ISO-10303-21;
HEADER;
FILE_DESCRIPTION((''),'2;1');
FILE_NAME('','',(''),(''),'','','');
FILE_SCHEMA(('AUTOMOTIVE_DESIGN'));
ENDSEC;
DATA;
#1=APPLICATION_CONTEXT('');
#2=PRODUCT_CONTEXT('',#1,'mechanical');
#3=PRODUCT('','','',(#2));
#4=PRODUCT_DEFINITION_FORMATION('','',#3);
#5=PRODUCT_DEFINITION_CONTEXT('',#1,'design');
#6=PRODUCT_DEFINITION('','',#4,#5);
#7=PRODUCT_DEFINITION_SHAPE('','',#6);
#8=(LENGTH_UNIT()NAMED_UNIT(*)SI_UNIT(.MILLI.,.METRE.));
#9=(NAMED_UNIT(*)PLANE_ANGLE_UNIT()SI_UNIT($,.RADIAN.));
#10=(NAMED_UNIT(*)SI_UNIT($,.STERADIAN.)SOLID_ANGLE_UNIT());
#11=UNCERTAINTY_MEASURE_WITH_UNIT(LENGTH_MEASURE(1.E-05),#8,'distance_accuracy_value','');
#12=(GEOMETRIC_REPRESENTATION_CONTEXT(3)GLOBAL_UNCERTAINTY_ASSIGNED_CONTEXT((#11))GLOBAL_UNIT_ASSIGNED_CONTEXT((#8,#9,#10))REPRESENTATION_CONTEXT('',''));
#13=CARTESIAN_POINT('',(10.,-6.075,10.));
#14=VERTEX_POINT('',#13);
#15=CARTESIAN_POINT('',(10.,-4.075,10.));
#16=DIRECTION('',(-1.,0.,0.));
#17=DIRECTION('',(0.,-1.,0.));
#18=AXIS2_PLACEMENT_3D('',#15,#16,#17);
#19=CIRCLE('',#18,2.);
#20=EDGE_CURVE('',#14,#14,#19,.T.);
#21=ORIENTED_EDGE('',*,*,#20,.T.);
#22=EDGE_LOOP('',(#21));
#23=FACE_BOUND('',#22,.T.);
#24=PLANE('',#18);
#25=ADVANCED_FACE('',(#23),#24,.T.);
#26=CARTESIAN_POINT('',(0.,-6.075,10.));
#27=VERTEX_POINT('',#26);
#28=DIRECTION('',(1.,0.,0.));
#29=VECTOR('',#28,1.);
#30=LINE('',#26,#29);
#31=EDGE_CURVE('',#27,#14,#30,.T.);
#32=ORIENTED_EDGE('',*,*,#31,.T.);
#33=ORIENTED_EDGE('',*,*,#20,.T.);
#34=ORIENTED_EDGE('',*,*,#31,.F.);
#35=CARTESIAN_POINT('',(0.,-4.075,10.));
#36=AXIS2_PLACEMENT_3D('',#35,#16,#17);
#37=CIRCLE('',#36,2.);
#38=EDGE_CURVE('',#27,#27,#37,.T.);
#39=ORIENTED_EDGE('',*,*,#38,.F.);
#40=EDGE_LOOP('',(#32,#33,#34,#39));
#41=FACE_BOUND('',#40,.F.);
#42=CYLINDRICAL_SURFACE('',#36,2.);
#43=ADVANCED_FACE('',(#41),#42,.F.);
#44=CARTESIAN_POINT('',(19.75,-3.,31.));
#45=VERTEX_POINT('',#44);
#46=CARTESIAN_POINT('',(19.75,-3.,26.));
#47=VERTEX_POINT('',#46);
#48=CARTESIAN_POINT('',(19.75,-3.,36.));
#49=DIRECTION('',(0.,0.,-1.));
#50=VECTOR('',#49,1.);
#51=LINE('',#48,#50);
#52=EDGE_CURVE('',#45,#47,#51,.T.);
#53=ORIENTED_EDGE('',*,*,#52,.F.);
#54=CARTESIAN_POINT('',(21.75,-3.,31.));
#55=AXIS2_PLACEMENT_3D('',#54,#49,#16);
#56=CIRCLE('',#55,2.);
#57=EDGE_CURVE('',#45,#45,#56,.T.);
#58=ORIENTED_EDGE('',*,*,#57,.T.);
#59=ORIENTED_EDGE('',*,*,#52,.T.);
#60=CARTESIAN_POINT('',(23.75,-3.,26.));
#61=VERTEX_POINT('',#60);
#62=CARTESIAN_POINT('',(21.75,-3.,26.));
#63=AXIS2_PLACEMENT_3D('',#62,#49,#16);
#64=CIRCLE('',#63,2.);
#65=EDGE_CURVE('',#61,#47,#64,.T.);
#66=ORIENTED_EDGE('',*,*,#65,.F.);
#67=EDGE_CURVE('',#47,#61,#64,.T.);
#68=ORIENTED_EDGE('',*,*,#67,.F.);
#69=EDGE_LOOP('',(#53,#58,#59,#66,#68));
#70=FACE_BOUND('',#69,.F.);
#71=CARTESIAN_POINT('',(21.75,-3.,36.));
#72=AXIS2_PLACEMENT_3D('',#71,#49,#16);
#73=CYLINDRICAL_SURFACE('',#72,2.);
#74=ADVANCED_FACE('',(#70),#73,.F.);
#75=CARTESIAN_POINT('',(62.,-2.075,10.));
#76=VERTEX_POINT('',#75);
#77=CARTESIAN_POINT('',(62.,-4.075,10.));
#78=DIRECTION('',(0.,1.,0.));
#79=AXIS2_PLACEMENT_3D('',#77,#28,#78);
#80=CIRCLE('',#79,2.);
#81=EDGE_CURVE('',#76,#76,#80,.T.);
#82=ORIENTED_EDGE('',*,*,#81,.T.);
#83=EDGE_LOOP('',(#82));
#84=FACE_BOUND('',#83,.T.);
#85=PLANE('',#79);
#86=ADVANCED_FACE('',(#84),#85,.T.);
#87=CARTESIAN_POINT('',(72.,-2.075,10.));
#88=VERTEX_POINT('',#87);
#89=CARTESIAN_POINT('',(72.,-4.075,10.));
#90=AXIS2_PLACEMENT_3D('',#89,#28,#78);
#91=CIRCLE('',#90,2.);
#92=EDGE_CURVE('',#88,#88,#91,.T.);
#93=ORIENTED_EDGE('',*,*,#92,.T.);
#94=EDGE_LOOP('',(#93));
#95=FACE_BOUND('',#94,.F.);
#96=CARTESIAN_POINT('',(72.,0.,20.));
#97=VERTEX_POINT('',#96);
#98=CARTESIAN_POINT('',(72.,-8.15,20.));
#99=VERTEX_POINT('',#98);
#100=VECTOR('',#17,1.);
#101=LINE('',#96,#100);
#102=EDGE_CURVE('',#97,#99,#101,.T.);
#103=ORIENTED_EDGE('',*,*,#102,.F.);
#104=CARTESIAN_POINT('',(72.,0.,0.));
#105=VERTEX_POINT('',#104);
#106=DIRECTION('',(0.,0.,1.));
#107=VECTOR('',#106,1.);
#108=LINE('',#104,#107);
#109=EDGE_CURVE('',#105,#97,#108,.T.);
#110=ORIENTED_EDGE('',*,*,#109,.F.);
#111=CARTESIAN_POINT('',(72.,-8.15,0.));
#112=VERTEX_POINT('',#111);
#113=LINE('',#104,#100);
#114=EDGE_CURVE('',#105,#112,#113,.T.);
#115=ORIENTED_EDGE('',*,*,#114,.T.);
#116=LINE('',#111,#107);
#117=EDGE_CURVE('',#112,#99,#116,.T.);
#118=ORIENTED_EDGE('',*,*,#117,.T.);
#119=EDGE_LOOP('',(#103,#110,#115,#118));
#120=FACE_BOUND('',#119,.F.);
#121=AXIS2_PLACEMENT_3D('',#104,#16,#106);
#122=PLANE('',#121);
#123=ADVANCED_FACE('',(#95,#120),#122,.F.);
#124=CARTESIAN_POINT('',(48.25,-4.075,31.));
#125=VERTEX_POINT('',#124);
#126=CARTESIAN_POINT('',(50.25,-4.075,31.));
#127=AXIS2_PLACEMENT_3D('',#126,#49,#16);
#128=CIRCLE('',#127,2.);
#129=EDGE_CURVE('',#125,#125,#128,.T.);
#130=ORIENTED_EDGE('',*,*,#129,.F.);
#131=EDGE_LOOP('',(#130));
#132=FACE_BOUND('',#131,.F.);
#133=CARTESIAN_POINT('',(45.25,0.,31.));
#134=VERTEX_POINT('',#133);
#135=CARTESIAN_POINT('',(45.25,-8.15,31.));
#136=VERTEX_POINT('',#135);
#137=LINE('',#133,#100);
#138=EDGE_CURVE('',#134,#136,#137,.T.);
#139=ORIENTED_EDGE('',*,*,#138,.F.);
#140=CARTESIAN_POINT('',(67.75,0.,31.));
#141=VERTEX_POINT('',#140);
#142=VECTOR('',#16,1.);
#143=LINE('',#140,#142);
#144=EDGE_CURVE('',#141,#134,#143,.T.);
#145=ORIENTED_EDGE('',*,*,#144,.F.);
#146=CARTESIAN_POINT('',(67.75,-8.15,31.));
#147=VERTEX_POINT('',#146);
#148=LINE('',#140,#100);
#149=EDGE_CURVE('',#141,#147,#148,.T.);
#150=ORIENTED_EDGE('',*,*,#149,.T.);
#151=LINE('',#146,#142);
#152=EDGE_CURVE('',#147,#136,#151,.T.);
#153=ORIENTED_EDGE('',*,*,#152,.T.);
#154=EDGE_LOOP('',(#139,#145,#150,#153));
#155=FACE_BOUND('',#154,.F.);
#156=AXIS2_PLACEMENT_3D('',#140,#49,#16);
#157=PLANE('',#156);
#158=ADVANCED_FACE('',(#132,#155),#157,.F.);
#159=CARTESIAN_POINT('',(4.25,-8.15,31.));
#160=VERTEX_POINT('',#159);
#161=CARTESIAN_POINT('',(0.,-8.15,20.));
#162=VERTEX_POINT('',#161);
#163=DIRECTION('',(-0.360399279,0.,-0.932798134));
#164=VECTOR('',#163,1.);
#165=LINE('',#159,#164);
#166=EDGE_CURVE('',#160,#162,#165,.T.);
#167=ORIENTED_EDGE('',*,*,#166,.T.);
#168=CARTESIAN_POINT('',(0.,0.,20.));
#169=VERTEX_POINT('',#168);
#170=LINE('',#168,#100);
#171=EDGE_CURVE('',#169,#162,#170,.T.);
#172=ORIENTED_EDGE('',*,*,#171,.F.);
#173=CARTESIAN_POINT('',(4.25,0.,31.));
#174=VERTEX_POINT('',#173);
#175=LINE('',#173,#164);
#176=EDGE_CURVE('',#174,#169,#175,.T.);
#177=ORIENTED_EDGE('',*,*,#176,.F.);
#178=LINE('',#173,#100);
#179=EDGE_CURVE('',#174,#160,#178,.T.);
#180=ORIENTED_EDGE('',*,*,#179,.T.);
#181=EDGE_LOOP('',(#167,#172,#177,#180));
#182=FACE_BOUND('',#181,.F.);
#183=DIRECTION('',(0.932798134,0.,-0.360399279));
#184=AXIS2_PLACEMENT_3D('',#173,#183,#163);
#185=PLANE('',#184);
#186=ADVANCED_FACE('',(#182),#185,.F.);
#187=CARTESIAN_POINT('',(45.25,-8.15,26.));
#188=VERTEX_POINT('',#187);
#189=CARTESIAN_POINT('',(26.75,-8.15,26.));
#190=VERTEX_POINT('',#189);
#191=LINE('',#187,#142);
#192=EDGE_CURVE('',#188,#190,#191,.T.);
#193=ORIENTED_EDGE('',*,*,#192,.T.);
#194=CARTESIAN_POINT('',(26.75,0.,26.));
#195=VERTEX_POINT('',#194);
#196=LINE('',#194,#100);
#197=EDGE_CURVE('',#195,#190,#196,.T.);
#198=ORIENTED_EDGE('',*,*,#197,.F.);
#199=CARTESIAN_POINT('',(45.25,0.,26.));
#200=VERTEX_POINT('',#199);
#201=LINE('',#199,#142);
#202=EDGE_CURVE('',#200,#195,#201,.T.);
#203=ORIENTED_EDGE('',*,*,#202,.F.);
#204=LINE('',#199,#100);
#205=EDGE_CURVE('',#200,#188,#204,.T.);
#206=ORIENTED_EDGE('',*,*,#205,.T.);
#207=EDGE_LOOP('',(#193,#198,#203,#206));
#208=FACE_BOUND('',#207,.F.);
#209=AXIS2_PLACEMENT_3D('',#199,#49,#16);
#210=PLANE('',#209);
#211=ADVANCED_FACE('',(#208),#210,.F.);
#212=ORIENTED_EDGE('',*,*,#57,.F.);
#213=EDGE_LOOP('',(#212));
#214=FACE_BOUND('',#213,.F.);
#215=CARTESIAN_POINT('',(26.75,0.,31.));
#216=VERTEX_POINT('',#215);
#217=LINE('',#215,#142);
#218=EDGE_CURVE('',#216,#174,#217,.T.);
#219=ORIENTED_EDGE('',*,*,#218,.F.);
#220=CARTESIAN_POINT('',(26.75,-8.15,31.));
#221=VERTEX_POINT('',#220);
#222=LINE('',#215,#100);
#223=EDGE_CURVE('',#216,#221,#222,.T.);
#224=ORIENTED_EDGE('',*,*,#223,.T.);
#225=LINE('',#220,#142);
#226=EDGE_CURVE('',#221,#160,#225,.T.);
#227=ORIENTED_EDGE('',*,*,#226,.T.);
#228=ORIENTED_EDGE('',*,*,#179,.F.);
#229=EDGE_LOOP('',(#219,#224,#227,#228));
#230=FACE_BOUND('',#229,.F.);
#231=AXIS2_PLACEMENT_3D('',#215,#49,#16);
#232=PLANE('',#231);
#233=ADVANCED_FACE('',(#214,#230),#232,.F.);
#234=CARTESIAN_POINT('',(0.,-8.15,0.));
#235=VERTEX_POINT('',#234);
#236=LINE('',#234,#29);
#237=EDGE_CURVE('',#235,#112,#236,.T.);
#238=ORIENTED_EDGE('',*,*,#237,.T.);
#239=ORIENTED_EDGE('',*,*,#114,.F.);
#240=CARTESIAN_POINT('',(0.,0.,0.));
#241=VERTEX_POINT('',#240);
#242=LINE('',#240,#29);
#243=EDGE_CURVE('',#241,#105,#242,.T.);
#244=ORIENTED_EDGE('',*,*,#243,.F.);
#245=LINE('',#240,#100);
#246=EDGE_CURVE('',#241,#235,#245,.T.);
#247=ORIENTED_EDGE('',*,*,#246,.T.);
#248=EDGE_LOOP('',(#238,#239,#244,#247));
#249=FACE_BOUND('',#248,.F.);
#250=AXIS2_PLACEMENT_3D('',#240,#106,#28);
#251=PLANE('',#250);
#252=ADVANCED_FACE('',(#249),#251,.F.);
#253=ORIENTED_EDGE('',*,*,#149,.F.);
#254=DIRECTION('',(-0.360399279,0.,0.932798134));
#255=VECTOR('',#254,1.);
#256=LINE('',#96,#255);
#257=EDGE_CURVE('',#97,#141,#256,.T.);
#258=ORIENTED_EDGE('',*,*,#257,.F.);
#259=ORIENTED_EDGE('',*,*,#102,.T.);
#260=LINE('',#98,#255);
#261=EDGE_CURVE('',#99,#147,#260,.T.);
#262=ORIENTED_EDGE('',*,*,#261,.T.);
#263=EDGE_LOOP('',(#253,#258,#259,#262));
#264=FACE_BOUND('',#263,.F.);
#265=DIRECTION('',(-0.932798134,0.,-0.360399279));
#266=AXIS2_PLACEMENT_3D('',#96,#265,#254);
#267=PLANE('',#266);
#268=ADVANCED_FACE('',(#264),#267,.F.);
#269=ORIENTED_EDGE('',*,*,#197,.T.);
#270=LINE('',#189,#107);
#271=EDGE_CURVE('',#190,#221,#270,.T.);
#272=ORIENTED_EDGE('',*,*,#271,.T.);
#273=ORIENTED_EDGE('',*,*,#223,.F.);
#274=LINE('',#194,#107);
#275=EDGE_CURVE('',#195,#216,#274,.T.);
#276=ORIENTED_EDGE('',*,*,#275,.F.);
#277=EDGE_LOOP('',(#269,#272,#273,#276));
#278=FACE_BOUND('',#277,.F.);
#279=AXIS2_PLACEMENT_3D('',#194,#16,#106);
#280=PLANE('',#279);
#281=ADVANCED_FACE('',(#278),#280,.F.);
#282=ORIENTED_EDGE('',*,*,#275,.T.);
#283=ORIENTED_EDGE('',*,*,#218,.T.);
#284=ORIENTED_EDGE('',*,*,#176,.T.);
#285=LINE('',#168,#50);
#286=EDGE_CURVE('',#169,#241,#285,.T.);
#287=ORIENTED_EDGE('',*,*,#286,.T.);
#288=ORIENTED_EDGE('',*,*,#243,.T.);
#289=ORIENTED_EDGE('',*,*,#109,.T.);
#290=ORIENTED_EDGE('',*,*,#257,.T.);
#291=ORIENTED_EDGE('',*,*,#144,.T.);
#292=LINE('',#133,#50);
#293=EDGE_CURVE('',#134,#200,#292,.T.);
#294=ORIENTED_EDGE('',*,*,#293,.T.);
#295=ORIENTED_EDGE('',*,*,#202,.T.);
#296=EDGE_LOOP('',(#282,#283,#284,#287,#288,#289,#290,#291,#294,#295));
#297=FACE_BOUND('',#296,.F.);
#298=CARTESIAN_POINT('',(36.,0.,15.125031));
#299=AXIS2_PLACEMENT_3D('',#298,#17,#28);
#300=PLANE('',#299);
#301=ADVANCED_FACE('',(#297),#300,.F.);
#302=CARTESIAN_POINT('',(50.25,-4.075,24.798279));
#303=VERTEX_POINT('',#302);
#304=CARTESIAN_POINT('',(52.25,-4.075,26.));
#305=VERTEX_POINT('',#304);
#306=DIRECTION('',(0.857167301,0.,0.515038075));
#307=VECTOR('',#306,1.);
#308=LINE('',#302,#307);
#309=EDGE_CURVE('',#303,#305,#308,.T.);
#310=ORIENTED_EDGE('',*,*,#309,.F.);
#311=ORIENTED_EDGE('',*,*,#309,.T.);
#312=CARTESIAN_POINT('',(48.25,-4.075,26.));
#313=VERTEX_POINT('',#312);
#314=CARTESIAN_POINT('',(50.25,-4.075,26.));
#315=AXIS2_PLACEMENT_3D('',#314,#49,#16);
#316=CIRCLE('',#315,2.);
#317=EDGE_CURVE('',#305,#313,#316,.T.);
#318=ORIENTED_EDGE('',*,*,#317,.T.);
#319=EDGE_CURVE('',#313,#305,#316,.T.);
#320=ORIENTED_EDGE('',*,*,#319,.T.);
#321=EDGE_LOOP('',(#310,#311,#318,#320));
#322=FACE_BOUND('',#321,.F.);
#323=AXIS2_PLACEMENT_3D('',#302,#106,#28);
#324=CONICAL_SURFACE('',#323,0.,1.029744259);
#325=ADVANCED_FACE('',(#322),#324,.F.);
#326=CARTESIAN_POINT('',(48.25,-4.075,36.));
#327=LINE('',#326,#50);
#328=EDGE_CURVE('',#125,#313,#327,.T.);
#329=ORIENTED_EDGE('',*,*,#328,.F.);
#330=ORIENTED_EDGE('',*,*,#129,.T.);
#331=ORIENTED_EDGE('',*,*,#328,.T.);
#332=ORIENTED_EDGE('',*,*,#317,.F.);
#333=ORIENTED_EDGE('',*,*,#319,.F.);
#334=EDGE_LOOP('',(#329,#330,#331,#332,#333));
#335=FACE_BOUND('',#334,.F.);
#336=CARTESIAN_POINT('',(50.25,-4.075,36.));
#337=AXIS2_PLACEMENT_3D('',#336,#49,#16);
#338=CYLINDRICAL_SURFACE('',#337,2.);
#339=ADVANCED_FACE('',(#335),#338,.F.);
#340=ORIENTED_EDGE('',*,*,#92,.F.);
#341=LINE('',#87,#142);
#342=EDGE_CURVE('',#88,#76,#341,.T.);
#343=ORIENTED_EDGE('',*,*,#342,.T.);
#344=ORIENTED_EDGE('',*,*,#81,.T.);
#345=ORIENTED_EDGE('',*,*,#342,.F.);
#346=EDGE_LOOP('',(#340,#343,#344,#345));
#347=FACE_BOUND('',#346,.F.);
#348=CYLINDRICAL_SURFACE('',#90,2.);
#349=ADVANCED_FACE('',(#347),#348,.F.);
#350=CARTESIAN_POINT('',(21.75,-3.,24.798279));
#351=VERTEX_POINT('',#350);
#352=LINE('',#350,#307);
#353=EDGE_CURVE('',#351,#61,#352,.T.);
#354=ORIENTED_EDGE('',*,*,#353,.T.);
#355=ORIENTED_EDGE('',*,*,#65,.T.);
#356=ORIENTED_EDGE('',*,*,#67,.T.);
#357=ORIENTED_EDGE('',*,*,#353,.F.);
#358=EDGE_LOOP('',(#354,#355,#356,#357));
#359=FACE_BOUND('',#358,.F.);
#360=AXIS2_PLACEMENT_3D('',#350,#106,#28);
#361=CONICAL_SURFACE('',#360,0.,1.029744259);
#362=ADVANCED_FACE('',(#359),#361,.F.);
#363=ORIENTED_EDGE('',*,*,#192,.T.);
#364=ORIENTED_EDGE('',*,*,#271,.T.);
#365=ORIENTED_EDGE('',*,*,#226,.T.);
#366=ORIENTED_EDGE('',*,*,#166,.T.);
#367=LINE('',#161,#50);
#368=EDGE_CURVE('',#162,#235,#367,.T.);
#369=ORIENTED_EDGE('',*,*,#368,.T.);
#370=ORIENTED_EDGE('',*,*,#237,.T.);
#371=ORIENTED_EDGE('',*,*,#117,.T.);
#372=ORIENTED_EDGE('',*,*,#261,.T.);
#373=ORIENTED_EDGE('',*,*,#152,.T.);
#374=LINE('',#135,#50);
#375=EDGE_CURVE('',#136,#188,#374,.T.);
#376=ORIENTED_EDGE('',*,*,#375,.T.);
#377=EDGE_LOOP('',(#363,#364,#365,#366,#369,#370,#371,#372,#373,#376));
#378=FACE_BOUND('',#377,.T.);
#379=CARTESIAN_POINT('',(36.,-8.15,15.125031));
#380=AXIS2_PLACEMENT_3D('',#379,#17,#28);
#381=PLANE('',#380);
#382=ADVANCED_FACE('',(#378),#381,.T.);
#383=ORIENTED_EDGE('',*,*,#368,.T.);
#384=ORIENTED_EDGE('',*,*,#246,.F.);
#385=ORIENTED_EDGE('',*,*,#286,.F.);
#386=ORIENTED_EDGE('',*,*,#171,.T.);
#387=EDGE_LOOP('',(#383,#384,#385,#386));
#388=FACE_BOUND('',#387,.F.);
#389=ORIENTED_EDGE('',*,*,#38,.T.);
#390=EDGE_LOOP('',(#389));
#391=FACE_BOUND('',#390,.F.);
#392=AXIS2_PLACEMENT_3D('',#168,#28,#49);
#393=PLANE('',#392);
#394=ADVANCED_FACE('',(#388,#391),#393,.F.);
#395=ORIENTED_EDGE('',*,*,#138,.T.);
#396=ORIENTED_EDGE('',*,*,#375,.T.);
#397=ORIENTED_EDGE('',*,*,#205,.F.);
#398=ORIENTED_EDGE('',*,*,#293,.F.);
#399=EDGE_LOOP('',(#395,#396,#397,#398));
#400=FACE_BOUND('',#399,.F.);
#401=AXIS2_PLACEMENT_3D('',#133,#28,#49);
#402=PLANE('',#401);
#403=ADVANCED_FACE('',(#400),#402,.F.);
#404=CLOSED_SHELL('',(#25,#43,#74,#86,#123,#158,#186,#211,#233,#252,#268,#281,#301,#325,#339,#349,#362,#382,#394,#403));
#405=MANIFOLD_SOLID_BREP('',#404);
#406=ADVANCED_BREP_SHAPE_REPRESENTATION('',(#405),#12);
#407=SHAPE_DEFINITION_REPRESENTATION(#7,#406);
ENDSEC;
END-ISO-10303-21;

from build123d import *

# Parameters (mm, degrees)
F1_DEPTH = 8.15
F3_D     = 4
F3_DEPTH = 5
F3_TIP   = 1.2017212381
F4_R     = 2
F5_DEPTH = 10
F6_R     = 2
F7_DEPTH = 10


with BuildPart() as f1:
    # F0 (on Front) → F1 (new body)
    with BuildSketch(Plane.XZ):
        Polygon((0, 20), (0, 0), (72, 0), (72, 20), (67.75, 31), (45.25, 31), (45.25, 26), (26.75, 26), (26.75, 31), (4.25, 31), align=None)
    extrude(amount=F1_DEPTH)

    # F3
    with Locations(Plane.XY.offset(31)):
        with Locations((21.75, -3), (50.25, -4.075)):
            Hole(F3_D / 2, depth=F3_DEPTH)
            with Locations((0, 0, -(F3_DEPTH + F3_TIP / 2))):  # 118° drill point
                Cone(0, F3_D / 2, F3_TIP, mode=Mode.SUBTRACT)

    # F4 (on face) → F5 (cut)
    with BuildSketch(Plane.YZ.offset(72)):
        with Locations((-4.075, 10)):
            Circle(F4_R)
    extrude(amount=-F5_DEPTH, mode=Mode.SUBTRACT)

    # F6 (on face) → F7 (cut)
    with BuildSketch(Plane(origin=(0, 0, 0), x_dir=(0, -1, 0), z_dir=(-1, 0, 0))):
        with Locations((4.075, 10)):
            Circle(F6_R)
    extrude(amount=-F7_DEPTH, mode=Mode.SUBTRACT)


solid = f1.part
